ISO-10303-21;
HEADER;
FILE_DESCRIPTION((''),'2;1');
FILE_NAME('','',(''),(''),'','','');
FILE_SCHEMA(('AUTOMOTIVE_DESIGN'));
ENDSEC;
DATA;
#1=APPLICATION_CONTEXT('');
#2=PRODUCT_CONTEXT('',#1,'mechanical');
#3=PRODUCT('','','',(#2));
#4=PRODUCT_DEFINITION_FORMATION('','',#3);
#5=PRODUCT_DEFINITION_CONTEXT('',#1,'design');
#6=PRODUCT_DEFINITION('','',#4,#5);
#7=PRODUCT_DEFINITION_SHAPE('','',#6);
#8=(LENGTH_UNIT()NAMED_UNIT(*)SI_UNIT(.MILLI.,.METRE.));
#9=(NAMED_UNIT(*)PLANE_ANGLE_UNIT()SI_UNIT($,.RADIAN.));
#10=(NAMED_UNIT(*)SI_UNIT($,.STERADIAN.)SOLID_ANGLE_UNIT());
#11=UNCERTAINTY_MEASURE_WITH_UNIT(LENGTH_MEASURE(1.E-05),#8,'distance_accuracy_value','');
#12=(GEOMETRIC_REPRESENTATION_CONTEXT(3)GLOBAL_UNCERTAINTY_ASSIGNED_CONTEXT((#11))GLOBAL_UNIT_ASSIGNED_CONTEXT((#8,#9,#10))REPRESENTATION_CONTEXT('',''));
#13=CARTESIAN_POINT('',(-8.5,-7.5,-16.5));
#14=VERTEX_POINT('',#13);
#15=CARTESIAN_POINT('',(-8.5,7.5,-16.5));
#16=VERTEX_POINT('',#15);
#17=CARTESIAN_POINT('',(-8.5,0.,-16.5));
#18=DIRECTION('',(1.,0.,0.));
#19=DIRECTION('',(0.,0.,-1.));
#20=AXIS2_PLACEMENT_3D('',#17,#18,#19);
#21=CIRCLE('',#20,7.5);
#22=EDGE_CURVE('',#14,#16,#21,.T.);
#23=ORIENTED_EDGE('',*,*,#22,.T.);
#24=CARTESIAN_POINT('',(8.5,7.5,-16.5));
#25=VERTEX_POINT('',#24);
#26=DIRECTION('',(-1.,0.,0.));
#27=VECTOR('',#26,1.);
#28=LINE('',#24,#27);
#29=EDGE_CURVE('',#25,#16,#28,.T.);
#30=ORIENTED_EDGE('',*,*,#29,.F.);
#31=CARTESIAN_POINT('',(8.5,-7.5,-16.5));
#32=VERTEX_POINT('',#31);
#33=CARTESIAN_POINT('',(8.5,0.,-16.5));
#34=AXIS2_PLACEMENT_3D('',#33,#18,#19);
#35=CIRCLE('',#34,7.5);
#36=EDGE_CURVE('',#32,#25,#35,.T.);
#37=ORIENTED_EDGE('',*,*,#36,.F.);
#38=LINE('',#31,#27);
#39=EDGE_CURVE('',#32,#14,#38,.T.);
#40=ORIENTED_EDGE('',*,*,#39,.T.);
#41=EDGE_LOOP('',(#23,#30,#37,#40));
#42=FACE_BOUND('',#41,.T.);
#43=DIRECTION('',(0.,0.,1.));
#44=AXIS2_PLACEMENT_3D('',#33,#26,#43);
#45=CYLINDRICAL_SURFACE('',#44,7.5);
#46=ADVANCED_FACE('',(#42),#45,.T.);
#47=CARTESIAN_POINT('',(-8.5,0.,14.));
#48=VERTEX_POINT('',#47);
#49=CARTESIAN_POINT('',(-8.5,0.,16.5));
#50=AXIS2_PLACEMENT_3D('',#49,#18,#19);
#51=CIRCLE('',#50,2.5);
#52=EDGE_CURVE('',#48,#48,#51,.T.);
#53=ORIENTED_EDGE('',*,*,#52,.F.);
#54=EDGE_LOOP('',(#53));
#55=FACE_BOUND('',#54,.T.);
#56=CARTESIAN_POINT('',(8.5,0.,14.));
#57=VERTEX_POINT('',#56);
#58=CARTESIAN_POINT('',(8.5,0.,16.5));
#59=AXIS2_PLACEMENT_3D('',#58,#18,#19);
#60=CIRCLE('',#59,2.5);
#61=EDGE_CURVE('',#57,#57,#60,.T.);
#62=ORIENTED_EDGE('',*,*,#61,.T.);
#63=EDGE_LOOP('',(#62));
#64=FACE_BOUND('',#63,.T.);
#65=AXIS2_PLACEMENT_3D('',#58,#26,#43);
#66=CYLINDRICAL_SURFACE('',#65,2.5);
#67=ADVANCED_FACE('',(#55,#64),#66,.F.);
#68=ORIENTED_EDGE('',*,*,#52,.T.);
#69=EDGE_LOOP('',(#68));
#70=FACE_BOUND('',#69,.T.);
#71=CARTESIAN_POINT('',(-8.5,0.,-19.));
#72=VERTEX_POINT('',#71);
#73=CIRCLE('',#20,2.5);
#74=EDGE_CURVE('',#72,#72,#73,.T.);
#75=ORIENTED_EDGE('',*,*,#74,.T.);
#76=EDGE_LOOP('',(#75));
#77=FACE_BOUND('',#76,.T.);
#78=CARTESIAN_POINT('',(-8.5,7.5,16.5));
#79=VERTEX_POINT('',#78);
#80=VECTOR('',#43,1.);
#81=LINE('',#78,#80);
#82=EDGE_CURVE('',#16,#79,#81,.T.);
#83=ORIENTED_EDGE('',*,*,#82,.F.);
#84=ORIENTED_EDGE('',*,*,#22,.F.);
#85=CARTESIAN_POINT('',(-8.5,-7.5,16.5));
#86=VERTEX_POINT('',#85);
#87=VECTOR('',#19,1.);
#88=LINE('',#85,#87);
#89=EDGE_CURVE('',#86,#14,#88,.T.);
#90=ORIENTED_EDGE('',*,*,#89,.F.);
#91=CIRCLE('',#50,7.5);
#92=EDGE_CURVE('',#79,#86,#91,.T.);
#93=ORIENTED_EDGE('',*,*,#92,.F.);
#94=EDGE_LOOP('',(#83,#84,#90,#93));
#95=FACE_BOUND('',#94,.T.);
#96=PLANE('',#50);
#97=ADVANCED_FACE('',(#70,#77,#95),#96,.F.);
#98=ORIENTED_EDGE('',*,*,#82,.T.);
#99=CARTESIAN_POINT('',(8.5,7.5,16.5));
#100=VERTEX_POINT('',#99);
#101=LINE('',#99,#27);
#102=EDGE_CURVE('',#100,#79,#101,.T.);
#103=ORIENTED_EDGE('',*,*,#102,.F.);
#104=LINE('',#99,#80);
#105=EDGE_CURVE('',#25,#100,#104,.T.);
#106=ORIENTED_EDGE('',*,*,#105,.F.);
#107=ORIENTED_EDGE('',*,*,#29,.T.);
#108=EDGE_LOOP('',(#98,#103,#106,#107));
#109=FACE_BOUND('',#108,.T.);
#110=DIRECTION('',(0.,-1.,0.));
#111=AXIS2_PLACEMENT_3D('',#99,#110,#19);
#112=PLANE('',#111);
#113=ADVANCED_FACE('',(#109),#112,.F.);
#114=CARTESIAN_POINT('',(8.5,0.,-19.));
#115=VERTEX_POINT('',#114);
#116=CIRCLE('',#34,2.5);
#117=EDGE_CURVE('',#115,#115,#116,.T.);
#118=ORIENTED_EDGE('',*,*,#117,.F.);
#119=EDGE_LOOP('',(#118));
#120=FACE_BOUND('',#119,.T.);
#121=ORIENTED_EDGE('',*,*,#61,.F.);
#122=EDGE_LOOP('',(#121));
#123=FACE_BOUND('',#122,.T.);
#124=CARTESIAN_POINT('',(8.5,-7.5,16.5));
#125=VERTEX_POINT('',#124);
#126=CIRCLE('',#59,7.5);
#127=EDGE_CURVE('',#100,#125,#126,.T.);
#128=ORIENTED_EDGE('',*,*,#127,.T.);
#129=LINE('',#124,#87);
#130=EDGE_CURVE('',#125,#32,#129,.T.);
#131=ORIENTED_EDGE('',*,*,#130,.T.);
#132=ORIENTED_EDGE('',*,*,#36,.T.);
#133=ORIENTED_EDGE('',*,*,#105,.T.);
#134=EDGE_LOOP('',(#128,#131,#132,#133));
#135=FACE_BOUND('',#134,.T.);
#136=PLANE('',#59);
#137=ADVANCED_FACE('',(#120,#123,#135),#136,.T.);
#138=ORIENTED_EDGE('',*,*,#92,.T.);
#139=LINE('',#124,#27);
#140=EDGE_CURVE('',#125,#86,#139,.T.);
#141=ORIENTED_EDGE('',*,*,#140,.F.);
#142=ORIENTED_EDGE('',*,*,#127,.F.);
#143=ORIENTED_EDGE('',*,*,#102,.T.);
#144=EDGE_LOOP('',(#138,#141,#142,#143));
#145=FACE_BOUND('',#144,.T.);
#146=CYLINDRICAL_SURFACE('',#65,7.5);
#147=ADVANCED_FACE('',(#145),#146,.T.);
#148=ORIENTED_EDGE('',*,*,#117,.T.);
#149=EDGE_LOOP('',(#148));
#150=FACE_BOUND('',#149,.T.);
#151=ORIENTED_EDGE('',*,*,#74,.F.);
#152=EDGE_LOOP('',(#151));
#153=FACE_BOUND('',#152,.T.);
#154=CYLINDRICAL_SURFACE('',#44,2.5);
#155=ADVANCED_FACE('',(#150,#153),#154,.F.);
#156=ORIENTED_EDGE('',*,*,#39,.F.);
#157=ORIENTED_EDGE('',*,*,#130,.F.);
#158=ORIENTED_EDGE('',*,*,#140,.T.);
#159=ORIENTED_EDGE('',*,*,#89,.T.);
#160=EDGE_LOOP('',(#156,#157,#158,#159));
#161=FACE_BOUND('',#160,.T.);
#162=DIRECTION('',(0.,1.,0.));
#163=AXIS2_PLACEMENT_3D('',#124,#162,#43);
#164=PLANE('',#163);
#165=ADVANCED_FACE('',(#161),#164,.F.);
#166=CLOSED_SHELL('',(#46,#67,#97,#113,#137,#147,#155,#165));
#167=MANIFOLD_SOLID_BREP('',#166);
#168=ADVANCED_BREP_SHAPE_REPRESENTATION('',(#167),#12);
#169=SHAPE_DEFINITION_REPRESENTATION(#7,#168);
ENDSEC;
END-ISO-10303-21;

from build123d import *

# Parameters (mm, degrees)
CROQUIS1_R              = 2.5
SALIENTE_EXTRUIR1_DEPTH = 8.5


with BuildPart() as part:
    # Croquis1 → Saliente-Extruir1 (new, symmetric)
    with BuildSketch(Plane(origin=(0, 0, 0), x_dir=(0, 0, -1), z_dir=(1, 0, 0))):
        with BuildLine():
            Line((-16.5, 7.5), (16.5, 7.5))
            ThreePointArc((16.5, 7.5), (24, 0), (16.5, -7.5))
            Line((16.5, -7.5), (-16.5, -7.5))
            ThreePointArc((-16.5, -7.5), (-24, 0), (-16.5, 7.5))
        make_face()
        with Locations((-16.5, 0)):
            Circle(CROQUIS1_R, mode=Mode.SUBTRACT)
        with Locations((16.5, 0)):
            Circle(CROQUIS1_R, mode=Mode.SUBTRACT)
    extrude(amount=SALIENTE_EXTRUIR1_DEPTH, both=True)


solid = part.part
